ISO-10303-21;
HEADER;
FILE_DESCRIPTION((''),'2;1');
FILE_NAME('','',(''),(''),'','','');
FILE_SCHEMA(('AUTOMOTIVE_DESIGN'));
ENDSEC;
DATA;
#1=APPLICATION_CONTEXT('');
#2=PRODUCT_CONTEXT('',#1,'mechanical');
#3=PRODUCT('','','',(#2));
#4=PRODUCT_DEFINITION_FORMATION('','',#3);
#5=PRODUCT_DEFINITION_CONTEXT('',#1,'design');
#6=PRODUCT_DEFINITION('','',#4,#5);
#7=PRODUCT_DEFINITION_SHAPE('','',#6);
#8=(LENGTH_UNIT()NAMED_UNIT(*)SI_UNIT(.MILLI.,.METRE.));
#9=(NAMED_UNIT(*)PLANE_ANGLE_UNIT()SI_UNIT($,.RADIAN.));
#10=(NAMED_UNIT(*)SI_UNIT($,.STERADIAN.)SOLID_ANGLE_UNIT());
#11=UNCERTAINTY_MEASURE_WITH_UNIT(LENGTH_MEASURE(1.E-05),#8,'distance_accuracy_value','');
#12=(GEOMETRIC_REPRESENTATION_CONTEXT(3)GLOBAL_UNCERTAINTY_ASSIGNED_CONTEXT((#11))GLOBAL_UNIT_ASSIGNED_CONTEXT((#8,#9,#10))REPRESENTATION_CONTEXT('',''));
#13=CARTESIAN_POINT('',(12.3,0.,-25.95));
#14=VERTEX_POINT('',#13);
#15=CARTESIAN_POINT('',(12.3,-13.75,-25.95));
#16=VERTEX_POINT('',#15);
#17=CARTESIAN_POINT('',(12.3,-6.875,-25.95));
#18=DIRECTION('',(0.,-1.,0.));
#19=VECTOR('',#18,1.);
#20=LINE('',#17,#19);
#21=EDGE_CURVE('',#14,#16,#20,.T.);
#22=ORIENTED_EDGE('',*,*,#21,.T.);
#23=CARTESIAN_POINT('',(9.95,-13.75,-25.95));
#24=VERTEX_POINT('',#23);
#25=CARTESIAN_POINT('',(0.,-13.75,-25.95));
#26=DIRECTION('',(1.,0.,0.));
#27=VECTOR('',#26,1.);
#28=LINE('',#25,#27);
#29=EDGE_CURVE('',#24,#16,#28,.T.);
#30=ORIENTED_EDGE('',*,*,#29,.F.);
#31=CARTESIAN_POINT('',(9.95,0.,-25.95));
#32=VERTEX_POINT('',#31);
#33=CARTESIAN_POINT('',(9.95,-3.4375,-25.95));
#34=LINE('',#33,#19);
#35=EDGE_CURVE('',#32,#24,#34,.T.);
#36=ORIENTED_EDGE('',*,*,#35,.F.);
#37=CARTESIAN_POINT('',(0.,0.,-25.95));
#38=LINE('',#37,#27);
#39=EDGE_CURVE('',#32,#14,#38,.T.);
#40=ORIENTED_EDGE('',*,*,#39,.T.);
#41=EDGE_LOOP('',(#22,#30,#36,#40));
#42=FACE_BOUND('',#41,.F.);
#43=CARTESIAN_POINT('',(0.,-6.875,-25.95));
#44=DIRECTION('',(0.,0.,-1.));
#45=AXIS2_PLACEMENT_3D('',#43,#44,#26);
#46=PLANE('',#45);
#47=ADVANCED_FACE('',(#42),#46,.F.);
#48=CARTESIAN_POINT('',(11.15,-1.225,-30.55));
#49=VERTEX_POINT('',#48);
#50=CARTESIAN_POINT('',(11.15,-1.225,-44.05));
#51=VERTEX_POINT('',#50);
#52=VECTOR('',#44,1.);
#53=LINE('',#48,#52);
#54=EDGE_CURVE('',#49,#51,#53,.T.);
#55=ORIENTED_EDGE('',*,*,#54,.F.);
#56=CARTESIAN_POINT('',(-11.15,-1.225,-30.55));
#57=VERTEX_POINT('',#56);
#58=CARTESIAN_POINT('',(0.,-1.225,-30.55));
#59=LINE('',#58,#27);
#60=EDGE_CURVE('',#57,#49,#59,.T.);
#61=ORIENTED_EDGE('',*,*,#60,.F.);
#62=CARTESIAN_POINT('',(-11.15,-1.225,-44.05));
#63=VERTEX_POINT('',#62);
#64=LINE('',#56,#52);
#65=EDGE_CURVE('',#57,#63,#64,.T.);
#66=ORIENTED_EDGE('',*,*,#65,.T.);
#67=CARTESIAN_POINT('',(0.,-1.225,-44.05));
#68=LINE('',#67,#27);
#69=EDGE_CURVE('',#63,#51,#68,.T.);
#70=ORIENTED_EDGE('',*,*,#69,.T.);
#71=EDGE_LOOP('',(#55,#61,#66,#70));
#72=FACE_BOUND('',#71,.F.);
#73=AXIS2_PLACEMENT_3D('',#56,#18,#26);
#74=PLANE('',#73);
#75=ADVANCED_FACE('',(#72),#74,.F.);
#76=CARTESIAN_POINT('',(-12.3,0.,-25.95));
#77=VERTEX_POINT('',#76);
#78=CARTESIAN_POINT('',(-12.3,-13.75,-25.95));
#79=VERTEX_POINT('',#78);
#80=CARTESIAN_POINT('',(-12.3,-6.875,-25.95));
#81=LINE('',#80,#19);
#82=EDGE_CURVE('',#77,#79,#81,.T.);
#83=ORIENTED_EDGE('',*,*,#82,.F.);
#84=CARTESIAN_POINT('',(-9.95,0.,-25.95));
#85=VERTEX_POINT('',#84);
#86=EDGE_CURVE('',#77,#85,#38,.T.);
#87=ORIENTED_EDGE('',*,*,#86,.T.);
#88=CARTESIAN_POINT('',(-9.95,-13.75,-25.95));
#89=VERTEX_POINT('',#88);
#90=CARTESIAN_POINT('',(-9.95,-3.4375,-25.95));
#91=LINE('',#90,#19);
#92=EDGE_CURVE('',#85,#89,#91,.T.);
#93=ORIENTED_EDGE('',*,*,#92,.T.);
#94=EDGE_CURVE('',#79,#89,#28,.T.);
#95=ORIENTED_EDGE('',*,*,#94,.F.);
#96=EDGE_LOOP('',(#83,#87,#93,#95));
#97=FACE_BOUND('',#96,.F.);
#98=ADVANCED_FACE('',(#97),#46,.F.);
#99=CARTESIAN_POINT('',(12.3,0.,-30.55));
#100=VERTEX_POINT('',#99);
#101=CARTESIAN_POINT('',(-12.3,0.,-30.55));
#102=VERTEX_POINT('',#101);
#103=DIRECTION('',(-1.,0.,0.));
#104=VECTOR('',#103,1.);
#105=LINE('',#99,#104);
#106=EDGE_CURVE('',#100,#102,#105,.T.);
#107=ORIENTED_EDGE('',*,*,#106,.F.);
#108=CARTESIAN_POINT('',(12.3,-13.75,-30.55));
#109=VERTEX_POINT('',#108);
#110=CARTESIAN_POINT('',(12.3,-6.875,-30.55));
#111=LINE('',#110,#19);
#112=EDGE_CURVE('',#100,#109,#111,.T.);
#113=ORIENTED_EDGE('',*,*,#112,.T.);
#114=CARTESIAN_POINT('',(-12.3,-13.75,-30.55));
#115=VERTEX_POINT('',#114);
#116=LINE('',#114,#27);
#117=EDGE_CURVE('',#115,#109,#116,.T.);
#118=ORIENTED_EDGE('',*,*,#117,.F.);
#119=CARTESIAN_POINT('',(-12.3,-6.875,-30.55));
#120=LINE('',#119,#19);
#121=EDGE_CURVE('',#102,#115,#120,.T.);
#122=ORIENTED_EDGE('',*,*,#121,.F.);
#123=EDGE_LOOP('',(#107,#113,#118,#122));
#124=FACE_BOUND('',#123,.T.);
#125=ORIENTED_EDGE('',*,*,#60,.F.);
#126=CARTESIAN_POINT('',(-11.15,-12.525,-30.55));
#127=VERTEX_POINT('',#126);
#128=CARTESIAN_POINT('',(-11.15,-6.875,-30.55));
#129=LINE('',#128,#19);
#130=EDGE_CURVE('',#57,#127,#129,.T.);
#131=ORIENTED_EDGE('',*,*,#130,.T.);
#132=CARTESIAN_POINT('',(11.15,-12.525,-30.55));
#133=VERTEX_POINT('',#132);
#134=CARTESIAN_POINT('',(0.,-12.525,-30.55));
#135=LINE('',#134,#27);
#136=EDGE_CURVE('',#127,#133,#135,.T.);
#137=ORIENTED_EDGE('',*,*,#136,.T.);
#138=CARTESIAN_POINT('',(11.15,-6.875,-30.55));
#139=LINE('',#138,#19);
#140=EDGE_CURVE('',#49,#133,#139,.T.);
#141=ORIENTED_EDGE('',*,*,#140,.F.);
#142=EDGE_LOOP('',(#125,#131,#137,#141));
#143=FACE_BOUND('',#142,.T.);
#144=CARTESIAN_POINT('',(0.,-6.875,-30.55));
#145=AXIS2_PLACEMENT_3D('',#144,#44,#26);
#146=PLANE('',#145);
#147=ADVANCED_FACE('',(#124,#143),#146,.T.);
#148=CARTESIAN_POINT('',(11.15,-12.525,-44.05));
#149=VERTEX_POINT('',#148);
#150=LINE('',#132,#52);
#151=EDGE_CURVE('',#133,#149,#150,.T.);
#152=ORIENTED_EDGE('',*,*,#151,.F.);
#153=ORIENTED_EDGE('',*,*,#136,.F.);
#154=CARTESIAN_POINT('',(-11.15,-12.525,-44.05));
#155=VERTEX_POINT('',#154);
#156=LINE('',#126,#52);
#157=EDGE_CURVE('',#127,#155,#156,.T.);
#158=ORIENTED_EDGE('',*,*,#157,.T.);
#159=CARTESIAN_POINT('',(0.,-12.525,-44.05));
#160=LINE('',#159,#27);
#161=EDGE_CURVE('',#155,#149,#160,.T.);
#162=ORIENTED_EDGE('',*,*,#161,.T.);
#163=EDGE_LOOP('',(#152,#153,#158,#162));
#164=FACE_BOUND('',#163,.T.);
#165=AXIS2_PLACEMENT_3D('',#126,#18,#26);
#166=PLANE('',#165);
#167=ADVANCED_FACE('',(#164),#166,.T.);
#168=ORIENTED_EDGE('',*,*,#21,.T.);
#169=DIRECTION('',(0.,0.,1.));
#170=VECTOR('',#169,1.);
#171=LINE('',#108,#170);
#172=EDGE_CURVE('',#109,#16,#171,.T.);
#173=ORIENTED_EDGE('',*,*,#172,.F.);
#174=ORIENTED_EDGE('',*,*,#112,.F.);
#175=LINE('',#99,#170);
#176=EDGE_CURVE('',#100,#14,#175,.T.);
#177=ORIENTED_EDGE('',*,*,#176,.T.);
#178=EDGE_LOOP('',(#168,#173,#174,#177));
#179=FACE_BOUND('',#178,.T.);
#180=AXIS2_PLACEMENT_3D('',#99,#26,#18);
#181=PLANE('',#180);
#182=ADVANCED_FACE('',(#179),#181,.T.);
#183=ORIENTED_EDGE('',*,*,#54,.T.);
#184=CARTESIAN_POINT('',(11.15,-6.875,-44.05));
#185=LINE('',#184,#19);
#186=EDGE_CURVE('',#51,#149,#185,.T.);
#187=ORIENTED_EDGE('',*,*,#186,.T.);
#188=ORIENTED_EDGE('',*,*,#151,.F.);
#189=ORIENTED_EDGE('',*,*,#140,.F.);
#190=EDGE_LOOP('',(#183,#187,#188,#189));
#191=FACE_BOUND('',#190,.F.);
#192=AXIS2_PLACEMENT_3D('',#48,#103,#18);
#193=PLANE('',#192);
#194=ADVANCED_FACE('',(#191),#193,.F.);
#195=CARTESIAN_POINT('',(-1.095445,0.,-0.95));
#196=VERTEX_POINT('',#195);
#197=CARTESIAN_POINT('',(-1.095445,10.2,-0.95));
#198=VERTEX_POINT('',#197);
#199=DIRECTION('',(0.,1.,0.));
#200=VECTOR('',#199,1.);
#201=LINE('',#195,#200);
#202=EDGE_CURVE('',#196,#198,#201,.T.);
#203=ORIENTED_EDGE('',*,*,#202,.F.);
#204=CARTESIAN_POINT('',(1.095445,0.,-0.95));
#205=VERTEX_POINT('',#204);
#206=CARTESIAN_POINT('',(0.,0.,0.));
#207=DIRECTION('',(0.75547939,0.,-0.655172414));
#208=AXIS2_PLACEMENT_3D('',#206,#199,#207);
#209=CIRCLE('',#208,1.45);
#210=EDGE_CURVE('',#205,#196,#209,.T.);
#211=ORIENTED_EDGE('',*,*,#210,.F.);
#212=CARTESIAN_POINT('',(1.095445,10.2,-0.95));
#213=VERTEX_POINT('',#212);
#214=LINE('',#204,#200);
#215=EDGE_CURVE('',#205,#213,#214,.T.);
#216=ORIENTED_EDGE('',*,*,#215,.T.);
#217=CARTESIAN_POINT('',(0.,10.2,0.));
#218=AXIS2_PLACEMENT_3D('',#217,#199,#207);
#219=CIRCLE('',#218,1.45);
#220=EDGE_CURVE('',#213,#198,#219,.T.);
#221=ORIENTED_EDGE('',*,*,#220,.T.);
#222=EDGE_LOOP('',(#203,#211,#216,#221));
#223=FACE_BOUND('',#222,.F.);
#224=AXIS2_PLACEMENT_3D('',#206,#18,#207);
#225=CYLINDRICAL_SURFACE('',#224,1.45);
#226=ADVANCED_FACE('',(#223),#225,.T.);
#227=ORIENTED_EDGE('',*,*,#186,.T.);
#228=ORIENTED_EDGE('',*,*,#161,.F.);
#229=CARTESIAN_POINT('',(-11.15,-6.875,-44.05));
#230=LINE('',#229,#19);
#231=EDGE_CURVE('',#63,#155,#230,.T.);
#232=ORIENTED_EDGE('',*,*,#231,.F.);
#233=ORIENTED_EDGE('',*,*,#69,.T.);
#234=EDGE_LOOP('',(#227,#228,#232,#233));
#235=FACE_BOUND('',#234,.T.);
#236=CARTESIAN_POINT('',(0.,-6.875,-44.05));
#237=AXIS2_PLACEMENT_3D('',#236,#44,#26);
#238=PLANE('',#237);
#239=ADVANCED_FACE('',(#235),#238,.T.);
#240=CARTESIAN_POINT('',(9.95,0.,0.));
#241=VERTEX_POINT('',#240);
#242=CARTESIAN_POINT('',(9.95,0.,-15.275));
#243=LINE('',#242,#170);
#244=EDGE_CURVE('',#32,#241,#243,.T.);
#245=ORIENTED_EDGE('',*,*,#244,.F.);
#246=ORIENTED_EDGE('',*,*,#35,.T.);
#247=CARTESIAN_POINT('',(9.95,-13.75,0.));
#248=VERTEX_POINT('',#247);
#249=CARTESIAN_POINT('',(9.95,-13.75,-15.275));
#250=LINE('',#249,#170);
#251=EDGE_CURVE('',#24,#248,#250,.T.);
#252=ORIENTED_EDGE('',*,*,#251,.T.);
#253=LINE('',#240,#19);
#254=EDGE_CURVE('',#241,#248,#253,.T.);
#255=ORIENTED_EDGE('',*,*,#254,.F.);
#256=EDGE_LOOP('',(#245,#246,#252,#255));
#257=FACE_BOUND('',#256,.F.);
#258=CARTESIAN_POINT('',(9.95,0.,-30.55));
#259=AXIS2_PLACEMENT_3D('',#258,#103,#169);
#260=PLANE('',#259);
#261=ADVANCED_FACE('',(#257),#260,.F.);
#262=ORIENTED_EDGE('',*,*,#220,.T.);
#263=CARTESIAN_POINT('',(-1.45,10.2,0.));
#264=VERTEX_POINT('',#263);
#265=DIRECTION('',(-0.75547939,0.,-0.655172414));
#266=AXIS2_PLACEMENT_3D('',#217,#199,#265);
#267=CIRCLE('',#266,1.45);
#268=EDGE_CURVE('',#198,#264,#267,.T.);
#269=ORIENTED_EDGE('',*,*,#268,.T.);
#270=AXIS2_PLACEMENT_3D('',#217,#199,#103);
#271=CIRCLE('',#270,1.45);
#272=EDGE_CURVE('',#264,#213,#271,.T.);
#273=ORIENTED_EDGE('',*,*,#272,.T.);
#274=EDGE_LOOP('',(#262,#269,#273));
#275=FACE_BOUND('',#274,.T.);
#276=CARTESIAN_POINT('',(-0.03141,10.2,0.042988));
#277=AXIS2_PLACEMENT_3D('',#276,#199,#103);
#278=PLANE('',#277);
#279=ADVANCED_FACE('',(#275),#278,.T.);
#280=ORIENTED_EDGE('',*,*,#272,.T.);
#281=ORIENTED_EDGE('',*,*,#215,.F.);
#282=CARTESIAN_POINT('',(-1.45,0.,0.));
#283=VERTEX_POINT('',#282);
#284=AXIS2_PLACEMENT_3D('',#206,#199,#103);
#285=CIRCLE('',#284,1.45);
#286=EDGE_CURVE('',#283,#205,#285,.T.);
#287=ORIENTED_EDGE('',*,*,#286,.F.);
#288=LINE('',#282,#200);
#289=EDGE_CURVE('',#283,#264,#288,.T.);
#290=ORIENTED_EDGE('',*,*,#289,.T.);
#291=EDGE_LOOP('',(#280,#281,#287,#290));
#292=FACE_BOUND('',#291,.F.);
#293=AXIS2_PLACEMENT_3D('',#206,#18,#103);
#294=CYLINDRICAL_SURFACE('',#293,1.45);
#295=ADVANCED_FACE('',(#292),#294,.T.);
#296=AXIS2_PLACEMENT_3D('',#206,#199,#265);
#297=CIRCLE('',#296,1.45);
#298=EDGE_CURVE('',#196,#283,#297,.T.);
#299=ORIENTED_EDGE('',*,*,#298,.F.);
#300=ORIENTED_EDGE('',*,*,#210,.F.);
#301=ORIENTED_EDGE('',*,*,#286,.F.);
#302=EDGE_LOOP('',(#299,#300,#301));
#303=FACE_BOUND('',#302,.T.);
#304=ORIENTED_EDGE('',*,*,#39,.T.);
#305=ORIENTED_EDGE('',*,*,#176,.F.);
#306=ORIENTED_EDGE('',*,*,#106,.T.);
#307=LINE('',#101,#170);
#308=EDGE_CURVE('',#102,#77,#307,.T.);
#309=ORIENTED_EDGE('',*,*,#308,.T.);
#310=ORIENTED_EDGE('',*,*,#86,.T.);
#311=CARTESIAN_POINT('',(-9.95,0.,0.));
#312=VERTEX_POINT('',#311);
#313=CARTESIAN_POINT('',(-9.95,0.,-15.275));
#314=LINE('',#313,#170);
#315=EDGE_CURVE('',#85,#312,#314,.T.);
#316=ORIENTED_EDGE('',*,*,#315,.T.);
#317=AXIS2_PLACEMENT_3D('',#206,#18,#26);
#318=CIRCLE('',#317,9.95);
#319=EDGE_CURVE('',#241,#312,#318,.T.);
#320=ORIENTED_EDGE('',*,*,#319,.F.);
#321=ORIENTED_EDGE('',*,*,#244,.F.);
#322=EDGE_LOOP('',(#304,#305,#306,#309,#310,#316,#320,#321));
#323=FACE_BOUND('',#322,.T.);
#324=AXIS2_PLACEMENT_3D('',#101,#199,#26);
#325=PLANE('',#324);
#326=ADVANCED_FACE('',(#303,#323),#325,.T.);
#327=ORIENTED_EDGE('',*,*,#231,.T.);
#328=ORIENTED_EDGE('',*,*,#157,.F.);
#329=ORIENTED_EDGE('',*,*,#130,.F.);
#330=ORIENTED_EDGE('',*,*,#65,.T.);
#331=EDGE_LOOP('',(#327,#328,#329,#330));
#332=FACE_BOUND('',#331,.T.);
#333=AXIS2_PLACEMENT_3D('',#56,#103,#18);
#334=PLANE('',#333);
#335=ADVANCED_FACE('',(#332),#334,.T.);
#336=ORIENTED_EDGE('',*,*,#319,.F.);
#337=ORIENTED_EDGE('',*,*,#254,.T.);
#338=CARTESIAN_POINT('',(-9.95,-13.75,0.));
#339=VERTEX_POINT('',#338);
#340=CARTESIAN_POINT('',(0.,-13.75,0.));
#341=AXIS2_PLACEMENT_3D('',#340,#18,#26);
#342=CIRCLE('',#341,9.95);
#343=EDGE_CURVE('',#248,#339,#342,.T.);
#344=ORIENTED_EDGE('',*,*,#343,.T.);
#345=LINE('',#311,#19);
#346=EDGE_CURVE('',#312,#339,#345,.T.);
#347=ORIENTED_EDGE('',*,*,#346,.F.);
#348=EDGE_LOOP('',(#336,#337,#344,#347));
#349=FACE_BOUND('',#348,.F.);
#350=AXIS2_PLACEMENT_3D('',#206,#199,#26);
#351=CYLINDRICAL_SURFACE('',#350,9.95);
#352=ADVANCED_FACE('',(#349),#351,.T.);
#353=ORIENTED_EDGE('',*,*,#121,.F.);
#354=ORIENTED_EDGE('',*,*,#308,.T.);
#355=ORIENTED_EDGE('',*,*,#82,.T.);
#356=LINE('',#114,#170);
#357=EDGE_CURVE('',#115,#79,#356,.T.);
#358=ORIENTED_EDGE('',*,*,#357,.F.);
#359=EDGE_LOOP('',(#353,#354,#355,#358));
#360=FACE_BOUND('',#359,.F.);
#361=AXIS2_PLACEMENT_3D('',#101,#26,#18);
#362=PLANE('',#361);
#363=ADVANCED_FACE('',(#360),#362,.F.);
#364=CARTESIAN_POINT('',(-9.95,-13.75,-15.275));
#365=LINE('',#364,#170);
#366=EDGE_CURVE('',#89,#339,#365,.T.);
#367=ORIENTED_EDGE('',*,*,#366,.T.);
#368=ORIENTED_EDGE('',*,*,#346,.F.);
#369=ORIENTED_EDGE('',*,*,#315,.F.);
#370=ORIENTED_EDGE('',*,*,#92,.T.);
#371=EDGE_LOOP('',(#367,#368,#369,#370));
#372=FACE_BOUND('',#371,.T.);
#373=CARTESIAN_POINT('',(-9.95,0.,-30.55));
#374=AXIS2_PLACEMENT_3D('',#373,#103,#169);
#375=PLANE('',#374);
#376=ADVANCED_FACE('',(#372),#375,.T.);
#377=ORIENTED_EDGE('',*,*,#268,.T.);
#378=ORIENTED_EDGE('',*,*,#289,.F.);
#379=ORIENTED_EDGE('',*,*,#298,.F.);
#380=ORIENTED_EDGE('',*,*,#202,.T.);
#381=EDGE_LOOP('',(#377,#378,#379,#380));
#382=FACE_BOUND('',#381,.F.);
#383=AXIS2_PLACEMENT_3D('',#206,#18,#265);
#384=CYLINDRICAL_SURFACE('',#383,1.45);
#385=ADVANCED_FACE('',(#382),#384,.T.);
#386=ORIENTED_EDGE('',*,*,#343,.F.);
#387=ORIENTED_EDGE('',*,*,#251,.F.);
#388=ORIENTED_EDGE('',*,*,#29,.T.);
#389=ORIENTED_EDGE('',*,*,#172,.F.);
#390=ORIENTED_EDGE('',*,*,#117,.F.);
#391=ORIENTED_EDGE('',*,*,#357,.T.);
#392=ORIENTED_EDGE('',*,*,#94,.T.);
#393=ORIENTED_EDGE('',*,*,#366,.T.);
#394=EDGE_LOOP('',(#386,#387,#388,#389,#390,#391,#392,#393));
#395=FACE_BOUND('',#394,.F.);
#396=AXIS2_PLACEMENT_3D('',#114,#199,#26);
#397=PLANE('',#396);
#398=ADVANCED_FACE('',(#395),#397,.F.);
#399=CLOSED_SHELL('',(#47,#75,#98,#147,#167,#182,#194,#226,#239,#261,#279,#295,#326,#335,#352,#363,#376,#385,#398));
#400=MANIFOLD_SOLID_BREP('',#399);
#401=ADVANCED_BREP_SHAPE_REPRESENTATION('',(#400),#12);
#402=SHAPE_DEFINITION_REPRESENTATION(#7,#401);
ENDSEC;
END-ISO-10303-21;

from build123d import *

# Parameters (mm, degrees)
F0_W     = 19.9
F0_H     = 30.55
F1_DEPTH = 13.75
F3_DEPTH = 10.2
F5_W     = 24.6
F5_H     = 13.75
F6_DEPTH = 4.6
F7_W     = 22.3
F7_H     = 11.3
F8_DEPTH = 13.5


with BuildPart() as f1:
    # F0 (on Front) → F1 (new body)
    with BuildSketch(Plane.XZ):
        with BuildLine():
            ThreePointArc((9.95, 0), (0, 9.95), (-9.95, 0))
            Line((-9.95, 0), (9.95, 0))
        make_face()
        with Locations((0, -15.275)):
            Rectangle(F0_W, F0_H)
    extrude(amount=F1_DEPTH)

    # F2 (on face) → F3 (join)
    with BuildSketch(Plane(origin=(0, 0, 0), x_dir=(-1, 0, 0), z_dir=(0, 1, 0))):
        with BuildLine():
            ThreePointArc((1.095445115, -0.95), (1.3584725645, -0.5070032462), (1.45, 0))
            ThreePointArc((1.45, 0), (-0.5070032462, 1.3584725645), (-1.095445115, -0.95))
            Line((-1.095445115, -0.95), (1.095445115, -0.95))
        make_face()
        with BuildLine():
            Line((1.095445115, -0.95), (-1.095445115, -0.95))
            ThreePointArc((-1.095445115, -0.95), (0, -1.45), (1.095445115, -0.95))
        make_face()
    extrude(amount=F3_DEPTH)

    # F5 (on offset) → F6 (join)
    with BuildSketch(Plane(origin=(0, 0, -30.55), x_dir=(1, 0, 0), z_dir=(0, 0, -1))):
        with Locations((0, 6.875)):
            Rectangle(F5_W, F5_H)
    extrude(amount=-F6_DEPTH)

    # F7 (on offset) → F8 (join)
    with BuildSketch(Plane(origin=(0, 0, -30.55), x_dir=(1, 0, 0), z_dir=(0, 0, -1))):
        with Locations((0, 6.875)):
            Rectangle(F7_W, F7_H)
    extrude(amount=F8_DEPTH)


solid = f1.part
